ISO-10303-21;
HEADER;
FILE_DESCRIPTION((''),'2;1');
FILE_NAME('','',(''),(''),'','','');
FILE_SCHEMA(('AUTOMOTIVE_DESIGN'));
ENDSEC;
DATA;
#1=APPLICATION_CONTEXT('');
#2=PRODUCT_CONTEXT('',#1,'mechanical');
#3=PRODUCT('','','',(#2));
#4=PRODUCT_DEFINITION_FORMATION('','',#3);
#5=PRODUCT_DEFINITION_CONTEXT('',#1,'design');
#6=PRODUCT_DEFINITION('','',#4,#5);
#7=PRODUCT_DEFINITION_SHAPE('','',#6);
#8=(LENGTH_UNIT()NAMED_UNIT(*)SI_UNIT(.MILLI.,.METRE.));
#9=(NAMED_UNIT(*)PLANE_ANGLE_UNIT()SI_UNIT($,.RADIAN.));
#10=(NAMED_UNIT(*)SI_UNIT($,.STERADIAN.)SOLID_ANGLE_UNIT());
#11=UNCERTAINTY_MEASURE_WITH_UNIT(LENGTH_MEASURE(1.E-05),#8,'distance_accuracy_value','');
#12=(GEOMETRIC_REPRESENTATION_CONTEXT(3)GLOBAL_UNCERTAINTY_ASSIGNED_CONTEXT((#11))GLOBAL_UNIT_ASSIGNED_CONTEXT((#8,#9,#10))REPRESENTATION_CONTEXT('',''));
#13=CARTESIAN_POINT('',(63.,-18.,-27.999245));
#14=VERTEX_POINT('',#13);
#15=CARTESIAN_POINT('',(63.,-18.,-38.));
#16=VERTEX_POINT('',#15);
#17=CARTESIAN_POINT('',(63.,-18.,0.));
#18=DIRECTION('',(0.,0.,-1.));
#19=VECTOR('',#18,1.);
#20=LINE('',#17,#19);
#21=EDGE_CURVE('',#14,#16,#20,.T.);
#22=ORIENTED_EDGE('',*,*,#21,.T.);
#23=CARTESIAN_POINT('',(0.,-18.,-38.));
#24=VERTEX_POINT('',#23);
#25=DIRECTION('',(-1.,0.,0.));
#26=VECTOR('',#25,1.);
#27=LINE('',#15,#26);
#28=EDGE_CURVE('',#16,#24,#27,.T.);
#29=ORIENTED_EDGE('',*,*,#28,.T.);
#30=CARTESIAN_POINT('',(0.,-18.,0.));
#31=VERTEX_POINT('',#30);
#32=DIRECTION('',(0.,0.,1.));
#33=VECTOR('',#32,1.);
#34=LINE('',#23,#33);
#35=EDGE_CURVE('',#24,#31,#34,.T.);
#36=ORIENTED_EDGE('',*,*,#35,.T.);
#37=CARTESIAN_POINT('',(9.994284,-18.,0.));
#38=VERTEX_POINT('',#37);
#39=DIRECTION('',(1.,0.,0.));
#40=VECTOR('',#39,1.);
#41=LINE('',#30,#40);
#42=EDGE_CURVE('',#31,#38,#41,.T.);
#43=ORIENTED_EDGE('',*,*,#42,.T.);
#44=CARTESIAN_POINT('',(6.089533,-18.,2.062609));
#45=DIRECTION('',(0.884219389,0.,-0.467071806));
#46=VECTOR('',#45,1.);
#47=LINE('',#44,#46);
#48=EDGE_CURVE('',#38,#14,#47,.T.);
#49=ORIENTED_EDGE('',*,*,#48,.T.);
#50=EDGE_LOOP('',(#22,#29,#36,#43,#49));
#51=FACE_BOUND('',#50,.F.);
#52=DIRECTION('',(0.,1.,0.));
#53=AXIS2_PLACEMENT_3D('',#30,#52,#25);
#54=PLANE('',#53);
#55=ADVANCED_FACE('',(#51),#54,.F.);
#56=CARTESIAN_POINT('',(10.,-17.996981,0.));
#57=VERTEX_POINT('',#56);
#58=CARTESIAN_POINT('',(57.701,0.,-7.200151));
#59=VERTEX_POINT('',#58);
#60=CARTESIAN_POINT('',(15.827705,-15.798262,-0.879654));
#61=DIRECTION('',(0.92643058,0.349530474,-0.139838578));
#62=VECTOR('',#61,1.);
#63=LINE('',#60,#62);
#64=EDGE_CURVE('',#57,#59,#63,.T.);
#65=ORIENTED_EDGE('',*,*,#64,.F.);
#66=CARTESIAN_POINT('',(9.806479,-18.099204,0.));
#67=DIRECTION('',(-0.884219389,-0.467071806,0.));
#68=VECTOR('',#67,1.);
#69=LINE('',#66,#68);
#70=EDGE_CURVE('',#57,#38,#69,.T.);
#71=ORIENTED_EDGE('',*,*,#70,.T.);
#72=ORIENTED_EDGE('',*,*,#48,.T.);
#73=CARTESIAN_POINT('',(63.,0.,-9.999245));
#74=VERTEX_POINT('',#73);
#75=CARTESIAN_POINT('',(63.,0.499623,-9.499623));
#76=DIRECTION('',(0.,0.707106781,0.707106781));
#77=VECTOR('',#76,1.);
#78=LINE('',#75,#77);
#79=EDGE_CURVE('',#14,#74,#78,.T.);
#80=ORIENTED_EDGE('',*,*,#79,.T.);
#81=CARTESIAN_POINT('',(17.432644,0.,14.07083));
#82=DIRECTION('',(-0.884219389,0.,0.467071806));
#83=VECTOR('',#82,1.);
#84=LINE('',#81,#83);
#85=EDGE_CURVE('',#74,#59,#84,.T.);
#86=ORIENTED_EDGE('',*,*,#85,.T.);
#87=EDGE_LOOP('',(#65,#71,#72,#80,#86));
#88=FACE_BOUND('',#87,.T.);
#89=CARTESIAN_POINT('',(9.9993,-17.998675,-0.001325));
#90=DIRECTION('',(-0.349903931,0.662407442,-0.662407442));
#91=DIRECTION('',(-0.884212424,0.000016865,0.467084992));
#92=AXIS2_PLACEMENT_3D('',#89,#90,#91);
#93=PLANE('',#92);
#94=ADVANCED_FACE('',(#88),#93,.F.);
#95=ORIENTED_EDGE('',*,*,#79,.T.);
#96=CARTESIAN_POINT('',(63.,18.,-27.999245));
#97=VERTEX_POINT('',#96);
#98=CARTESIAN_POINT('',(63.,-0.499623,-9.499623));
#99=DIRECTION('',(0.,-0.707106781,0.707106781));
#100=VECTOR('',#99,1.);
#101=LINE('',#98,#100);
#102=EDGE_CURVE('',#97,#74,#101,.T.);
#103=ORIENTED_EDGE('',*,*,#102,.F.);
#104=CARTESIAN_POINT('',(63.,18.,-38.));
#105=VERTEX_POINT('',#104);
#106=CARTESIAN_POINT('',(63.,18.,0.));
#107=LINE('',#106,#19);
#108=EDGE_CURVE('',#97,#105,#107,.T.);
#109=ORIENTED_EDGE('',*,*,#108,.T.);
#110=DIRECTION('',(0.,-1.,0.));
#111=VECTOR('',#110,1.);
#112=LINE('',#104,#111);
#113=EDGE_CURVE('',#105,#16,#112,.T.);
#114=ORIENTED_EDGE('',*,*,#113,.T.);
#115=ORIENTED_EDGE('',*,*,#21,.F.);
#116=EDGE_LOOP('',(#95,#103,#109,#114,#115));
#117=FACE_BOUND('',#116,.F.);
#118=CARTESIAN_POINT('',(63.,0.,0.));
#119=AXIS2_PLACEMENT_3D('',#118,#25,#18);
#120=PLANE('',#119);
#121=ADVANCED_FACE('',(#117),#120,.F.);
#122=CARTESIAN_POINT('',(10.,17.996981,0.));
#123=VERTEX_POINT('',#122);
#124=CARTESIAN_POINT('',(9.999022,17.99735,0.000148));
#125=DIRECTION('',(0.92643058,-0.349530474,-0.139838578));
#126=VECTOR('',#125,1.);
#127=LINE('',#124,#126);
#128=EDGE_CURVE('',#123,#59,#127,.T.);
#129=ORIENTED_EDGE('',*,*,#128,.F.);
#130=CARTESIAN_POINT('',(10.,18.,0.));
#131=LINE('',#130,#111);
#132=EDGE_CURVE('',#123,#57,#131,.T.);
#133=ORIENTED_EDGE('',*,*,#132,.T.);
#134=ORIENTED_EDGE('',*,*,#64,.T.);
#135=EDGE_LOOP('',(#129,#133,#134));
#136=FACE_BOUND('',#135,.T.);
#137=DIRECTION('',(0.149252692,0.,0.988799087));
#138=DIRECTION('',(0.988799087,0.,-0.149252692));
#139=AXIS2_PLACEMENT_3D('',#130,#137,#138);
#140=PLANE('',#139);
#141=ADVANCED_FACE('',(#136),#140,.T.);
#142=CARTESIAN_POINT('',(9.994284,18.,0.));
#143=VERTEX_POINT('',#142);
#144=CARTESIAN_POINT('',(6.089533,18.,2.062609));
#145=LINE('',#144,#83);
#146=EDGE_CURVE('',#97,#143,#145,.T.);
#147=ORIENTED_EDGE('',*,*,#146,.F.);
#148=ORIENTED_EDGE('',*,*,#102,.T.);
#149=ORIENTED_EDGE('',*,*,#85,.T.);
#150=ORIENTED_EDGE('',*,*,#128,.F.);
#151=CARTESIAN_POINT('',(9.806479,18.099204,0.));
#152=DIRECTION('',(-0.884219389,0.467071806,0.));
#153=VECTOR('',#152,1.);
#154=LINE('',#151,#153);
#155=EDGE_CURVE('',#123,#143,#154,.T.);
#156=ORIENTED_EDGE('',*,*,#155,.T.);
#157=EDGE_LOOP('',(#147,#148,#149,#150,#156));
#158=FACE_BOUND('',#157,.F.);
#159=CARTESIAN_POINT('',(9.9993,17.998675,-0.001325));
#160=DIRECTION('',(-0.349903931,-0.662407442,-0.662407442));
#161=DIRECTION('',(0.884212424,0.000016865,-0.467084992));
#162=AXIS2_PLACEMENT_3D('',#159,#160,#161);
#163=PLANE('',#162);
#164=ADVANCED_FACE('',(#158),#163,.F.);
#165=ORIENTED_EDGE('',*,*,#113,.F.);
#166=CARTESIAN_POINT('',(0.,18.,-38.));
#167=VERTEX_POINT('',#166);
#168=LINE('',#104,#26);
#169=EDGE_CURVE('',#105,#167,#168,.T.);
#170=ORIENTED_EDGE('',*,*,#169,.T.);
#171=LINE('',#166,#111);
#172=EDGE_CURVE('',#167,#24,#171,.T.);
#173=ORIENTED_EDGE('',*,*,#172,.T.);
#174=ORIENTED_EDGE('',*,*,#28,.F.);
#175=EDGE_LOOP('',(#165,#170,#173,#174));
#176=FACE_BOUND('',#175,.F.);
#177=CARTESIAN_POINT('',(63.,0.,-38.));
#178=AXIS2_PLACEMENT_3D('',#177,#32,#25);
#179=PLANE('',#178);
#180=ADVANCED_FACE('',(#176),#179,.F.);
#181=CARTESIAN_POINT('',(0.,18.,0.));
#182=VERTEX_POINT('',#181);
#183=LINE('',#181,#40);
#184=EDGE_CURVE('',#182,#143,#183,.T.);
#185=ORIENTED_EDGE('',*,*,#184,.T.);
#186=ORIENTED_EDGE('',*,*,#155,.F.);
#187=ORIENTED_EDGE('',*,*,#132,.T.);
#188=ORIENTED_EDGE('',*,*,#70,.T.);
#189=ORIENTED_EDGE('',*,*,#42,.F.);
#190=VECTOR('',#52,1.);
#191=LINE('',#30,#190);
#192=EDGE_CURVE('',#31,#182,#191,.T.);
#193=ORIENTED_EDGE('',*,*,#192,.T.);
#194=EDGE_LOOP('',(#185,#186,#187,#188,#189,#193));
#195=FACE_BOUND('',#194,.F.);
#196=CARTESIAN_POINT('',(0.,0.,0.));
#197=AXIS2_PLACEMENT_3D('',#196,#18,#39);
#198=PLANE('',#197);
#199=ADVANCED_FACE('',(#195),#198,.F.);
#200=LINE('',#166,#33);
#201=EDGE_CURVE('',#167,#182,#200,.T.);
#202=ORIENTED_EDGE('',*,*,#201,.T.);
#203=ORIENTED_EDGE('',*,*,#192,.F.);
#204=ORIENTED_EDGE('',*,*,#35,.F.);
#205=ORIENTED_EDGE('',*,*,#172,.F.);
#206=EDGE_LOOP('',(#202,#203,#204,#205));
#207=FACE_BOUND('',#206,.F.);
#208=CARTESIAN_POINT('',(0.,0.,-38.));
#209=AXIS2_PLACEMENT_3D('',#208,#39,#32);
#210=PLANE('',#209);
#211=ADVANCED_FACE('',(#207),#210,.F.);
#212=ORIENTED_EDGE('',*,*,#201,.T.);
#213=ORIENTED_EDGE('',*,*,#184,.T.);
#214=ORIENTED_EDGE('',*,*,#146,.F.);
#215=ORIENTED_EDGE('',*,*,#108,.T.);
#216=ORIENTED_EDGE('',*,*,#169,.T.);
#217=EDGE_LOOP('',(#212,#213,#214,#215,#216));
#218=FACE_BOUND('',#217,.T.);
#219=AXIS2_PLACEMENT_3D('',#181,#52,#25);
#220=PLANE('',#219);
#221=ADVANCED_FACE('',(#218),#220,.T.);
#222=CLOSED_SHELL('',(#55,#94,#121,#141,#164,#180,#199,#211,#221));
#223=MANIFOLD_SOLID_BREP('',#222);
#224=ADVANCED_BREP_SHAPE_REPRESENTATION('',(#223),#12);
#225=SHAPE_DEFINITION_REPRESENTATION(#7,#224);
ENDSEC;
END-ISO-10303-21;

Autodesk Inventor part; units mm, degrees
ref_plane "YZ Plane" through (0, 0, 0) normal (1, 0, 0) x (0, 1, 0)
ref_plane "XZ Plane" through (0, 0, 0) normal (0, 1, 0) x (-1, 0, 0)
sketch "草圖1" plane through (0, 0, 0) normal (0, 1, 0) x (-1, 0, 0)
  line L0 (0, 0) -> (-63, 0)
  line L1 (-63, 0) -> (-63, -38)
  line L2 (-63, -38) -> (0, -38)
  line L3 (0, -38) -> (0, 0)
  dimension "d0" = 63
  dimension "d1" = 38
extrude "擠出1" add sketch "草圖1" along normal mid plane 36
sketch "草圖2" plane through (0, 18, 0) normal (0, 1, 0) x (1, 0, 0)
  line L0 (0, 0) -> (63, 0) projected
  line L1 (10, 0) -> (63, 8)
  line L2 (63, 0) -> (63, 38) projected
  dimension "d4" = 10
  dimension "d5" = 30
extrude "擠出2" cut sketch "草圖2" against normal blind 40
sketch "草圖3" plane through (63, -18, -38) normal (1, 0, 0) x (0, 0, -1)
  line L0 (-30, 16) -> (-10, 36)
  line L1 (0, 36) -> (-38, 36) projected
  line L2 (-30, 36) -> (-30, 0) projected
  point P0 (-38, 18)
  dimension "d8" = 20
  dimension "d9" = 20
ref_plane "工作平面1" through (10, 18, 0) normal (-0.3499, -0.6624, -0.6624) x (0.8842, 0, -0.4671)
sketch "草圖4" plane through (10, 18, 0) normal (-0.3499, -0.6624, -0.6624) x (0.8842, 0, -0.4671)
  line L0 (-15.1543, -12.3218) -> (93.717, -12.3218)
  line L1 (93.717, -12.3218) -> (93.717, 28.8166)
  line L2 (93.717, 28.8166) -> (-15.1543, 28.8166)
  line L3 (-15.1543, 28.8166) -> (-15.1543, -12.3218)
  point P0 (-8.8419, 10.3906)
extrude "擠出3" cut sketch "草圖4" against normal blind 40
mirror "鏡射1" about plane through (0, 0, 0) normal (0, 1, 0) of "擠出3"
properties part number "9"
